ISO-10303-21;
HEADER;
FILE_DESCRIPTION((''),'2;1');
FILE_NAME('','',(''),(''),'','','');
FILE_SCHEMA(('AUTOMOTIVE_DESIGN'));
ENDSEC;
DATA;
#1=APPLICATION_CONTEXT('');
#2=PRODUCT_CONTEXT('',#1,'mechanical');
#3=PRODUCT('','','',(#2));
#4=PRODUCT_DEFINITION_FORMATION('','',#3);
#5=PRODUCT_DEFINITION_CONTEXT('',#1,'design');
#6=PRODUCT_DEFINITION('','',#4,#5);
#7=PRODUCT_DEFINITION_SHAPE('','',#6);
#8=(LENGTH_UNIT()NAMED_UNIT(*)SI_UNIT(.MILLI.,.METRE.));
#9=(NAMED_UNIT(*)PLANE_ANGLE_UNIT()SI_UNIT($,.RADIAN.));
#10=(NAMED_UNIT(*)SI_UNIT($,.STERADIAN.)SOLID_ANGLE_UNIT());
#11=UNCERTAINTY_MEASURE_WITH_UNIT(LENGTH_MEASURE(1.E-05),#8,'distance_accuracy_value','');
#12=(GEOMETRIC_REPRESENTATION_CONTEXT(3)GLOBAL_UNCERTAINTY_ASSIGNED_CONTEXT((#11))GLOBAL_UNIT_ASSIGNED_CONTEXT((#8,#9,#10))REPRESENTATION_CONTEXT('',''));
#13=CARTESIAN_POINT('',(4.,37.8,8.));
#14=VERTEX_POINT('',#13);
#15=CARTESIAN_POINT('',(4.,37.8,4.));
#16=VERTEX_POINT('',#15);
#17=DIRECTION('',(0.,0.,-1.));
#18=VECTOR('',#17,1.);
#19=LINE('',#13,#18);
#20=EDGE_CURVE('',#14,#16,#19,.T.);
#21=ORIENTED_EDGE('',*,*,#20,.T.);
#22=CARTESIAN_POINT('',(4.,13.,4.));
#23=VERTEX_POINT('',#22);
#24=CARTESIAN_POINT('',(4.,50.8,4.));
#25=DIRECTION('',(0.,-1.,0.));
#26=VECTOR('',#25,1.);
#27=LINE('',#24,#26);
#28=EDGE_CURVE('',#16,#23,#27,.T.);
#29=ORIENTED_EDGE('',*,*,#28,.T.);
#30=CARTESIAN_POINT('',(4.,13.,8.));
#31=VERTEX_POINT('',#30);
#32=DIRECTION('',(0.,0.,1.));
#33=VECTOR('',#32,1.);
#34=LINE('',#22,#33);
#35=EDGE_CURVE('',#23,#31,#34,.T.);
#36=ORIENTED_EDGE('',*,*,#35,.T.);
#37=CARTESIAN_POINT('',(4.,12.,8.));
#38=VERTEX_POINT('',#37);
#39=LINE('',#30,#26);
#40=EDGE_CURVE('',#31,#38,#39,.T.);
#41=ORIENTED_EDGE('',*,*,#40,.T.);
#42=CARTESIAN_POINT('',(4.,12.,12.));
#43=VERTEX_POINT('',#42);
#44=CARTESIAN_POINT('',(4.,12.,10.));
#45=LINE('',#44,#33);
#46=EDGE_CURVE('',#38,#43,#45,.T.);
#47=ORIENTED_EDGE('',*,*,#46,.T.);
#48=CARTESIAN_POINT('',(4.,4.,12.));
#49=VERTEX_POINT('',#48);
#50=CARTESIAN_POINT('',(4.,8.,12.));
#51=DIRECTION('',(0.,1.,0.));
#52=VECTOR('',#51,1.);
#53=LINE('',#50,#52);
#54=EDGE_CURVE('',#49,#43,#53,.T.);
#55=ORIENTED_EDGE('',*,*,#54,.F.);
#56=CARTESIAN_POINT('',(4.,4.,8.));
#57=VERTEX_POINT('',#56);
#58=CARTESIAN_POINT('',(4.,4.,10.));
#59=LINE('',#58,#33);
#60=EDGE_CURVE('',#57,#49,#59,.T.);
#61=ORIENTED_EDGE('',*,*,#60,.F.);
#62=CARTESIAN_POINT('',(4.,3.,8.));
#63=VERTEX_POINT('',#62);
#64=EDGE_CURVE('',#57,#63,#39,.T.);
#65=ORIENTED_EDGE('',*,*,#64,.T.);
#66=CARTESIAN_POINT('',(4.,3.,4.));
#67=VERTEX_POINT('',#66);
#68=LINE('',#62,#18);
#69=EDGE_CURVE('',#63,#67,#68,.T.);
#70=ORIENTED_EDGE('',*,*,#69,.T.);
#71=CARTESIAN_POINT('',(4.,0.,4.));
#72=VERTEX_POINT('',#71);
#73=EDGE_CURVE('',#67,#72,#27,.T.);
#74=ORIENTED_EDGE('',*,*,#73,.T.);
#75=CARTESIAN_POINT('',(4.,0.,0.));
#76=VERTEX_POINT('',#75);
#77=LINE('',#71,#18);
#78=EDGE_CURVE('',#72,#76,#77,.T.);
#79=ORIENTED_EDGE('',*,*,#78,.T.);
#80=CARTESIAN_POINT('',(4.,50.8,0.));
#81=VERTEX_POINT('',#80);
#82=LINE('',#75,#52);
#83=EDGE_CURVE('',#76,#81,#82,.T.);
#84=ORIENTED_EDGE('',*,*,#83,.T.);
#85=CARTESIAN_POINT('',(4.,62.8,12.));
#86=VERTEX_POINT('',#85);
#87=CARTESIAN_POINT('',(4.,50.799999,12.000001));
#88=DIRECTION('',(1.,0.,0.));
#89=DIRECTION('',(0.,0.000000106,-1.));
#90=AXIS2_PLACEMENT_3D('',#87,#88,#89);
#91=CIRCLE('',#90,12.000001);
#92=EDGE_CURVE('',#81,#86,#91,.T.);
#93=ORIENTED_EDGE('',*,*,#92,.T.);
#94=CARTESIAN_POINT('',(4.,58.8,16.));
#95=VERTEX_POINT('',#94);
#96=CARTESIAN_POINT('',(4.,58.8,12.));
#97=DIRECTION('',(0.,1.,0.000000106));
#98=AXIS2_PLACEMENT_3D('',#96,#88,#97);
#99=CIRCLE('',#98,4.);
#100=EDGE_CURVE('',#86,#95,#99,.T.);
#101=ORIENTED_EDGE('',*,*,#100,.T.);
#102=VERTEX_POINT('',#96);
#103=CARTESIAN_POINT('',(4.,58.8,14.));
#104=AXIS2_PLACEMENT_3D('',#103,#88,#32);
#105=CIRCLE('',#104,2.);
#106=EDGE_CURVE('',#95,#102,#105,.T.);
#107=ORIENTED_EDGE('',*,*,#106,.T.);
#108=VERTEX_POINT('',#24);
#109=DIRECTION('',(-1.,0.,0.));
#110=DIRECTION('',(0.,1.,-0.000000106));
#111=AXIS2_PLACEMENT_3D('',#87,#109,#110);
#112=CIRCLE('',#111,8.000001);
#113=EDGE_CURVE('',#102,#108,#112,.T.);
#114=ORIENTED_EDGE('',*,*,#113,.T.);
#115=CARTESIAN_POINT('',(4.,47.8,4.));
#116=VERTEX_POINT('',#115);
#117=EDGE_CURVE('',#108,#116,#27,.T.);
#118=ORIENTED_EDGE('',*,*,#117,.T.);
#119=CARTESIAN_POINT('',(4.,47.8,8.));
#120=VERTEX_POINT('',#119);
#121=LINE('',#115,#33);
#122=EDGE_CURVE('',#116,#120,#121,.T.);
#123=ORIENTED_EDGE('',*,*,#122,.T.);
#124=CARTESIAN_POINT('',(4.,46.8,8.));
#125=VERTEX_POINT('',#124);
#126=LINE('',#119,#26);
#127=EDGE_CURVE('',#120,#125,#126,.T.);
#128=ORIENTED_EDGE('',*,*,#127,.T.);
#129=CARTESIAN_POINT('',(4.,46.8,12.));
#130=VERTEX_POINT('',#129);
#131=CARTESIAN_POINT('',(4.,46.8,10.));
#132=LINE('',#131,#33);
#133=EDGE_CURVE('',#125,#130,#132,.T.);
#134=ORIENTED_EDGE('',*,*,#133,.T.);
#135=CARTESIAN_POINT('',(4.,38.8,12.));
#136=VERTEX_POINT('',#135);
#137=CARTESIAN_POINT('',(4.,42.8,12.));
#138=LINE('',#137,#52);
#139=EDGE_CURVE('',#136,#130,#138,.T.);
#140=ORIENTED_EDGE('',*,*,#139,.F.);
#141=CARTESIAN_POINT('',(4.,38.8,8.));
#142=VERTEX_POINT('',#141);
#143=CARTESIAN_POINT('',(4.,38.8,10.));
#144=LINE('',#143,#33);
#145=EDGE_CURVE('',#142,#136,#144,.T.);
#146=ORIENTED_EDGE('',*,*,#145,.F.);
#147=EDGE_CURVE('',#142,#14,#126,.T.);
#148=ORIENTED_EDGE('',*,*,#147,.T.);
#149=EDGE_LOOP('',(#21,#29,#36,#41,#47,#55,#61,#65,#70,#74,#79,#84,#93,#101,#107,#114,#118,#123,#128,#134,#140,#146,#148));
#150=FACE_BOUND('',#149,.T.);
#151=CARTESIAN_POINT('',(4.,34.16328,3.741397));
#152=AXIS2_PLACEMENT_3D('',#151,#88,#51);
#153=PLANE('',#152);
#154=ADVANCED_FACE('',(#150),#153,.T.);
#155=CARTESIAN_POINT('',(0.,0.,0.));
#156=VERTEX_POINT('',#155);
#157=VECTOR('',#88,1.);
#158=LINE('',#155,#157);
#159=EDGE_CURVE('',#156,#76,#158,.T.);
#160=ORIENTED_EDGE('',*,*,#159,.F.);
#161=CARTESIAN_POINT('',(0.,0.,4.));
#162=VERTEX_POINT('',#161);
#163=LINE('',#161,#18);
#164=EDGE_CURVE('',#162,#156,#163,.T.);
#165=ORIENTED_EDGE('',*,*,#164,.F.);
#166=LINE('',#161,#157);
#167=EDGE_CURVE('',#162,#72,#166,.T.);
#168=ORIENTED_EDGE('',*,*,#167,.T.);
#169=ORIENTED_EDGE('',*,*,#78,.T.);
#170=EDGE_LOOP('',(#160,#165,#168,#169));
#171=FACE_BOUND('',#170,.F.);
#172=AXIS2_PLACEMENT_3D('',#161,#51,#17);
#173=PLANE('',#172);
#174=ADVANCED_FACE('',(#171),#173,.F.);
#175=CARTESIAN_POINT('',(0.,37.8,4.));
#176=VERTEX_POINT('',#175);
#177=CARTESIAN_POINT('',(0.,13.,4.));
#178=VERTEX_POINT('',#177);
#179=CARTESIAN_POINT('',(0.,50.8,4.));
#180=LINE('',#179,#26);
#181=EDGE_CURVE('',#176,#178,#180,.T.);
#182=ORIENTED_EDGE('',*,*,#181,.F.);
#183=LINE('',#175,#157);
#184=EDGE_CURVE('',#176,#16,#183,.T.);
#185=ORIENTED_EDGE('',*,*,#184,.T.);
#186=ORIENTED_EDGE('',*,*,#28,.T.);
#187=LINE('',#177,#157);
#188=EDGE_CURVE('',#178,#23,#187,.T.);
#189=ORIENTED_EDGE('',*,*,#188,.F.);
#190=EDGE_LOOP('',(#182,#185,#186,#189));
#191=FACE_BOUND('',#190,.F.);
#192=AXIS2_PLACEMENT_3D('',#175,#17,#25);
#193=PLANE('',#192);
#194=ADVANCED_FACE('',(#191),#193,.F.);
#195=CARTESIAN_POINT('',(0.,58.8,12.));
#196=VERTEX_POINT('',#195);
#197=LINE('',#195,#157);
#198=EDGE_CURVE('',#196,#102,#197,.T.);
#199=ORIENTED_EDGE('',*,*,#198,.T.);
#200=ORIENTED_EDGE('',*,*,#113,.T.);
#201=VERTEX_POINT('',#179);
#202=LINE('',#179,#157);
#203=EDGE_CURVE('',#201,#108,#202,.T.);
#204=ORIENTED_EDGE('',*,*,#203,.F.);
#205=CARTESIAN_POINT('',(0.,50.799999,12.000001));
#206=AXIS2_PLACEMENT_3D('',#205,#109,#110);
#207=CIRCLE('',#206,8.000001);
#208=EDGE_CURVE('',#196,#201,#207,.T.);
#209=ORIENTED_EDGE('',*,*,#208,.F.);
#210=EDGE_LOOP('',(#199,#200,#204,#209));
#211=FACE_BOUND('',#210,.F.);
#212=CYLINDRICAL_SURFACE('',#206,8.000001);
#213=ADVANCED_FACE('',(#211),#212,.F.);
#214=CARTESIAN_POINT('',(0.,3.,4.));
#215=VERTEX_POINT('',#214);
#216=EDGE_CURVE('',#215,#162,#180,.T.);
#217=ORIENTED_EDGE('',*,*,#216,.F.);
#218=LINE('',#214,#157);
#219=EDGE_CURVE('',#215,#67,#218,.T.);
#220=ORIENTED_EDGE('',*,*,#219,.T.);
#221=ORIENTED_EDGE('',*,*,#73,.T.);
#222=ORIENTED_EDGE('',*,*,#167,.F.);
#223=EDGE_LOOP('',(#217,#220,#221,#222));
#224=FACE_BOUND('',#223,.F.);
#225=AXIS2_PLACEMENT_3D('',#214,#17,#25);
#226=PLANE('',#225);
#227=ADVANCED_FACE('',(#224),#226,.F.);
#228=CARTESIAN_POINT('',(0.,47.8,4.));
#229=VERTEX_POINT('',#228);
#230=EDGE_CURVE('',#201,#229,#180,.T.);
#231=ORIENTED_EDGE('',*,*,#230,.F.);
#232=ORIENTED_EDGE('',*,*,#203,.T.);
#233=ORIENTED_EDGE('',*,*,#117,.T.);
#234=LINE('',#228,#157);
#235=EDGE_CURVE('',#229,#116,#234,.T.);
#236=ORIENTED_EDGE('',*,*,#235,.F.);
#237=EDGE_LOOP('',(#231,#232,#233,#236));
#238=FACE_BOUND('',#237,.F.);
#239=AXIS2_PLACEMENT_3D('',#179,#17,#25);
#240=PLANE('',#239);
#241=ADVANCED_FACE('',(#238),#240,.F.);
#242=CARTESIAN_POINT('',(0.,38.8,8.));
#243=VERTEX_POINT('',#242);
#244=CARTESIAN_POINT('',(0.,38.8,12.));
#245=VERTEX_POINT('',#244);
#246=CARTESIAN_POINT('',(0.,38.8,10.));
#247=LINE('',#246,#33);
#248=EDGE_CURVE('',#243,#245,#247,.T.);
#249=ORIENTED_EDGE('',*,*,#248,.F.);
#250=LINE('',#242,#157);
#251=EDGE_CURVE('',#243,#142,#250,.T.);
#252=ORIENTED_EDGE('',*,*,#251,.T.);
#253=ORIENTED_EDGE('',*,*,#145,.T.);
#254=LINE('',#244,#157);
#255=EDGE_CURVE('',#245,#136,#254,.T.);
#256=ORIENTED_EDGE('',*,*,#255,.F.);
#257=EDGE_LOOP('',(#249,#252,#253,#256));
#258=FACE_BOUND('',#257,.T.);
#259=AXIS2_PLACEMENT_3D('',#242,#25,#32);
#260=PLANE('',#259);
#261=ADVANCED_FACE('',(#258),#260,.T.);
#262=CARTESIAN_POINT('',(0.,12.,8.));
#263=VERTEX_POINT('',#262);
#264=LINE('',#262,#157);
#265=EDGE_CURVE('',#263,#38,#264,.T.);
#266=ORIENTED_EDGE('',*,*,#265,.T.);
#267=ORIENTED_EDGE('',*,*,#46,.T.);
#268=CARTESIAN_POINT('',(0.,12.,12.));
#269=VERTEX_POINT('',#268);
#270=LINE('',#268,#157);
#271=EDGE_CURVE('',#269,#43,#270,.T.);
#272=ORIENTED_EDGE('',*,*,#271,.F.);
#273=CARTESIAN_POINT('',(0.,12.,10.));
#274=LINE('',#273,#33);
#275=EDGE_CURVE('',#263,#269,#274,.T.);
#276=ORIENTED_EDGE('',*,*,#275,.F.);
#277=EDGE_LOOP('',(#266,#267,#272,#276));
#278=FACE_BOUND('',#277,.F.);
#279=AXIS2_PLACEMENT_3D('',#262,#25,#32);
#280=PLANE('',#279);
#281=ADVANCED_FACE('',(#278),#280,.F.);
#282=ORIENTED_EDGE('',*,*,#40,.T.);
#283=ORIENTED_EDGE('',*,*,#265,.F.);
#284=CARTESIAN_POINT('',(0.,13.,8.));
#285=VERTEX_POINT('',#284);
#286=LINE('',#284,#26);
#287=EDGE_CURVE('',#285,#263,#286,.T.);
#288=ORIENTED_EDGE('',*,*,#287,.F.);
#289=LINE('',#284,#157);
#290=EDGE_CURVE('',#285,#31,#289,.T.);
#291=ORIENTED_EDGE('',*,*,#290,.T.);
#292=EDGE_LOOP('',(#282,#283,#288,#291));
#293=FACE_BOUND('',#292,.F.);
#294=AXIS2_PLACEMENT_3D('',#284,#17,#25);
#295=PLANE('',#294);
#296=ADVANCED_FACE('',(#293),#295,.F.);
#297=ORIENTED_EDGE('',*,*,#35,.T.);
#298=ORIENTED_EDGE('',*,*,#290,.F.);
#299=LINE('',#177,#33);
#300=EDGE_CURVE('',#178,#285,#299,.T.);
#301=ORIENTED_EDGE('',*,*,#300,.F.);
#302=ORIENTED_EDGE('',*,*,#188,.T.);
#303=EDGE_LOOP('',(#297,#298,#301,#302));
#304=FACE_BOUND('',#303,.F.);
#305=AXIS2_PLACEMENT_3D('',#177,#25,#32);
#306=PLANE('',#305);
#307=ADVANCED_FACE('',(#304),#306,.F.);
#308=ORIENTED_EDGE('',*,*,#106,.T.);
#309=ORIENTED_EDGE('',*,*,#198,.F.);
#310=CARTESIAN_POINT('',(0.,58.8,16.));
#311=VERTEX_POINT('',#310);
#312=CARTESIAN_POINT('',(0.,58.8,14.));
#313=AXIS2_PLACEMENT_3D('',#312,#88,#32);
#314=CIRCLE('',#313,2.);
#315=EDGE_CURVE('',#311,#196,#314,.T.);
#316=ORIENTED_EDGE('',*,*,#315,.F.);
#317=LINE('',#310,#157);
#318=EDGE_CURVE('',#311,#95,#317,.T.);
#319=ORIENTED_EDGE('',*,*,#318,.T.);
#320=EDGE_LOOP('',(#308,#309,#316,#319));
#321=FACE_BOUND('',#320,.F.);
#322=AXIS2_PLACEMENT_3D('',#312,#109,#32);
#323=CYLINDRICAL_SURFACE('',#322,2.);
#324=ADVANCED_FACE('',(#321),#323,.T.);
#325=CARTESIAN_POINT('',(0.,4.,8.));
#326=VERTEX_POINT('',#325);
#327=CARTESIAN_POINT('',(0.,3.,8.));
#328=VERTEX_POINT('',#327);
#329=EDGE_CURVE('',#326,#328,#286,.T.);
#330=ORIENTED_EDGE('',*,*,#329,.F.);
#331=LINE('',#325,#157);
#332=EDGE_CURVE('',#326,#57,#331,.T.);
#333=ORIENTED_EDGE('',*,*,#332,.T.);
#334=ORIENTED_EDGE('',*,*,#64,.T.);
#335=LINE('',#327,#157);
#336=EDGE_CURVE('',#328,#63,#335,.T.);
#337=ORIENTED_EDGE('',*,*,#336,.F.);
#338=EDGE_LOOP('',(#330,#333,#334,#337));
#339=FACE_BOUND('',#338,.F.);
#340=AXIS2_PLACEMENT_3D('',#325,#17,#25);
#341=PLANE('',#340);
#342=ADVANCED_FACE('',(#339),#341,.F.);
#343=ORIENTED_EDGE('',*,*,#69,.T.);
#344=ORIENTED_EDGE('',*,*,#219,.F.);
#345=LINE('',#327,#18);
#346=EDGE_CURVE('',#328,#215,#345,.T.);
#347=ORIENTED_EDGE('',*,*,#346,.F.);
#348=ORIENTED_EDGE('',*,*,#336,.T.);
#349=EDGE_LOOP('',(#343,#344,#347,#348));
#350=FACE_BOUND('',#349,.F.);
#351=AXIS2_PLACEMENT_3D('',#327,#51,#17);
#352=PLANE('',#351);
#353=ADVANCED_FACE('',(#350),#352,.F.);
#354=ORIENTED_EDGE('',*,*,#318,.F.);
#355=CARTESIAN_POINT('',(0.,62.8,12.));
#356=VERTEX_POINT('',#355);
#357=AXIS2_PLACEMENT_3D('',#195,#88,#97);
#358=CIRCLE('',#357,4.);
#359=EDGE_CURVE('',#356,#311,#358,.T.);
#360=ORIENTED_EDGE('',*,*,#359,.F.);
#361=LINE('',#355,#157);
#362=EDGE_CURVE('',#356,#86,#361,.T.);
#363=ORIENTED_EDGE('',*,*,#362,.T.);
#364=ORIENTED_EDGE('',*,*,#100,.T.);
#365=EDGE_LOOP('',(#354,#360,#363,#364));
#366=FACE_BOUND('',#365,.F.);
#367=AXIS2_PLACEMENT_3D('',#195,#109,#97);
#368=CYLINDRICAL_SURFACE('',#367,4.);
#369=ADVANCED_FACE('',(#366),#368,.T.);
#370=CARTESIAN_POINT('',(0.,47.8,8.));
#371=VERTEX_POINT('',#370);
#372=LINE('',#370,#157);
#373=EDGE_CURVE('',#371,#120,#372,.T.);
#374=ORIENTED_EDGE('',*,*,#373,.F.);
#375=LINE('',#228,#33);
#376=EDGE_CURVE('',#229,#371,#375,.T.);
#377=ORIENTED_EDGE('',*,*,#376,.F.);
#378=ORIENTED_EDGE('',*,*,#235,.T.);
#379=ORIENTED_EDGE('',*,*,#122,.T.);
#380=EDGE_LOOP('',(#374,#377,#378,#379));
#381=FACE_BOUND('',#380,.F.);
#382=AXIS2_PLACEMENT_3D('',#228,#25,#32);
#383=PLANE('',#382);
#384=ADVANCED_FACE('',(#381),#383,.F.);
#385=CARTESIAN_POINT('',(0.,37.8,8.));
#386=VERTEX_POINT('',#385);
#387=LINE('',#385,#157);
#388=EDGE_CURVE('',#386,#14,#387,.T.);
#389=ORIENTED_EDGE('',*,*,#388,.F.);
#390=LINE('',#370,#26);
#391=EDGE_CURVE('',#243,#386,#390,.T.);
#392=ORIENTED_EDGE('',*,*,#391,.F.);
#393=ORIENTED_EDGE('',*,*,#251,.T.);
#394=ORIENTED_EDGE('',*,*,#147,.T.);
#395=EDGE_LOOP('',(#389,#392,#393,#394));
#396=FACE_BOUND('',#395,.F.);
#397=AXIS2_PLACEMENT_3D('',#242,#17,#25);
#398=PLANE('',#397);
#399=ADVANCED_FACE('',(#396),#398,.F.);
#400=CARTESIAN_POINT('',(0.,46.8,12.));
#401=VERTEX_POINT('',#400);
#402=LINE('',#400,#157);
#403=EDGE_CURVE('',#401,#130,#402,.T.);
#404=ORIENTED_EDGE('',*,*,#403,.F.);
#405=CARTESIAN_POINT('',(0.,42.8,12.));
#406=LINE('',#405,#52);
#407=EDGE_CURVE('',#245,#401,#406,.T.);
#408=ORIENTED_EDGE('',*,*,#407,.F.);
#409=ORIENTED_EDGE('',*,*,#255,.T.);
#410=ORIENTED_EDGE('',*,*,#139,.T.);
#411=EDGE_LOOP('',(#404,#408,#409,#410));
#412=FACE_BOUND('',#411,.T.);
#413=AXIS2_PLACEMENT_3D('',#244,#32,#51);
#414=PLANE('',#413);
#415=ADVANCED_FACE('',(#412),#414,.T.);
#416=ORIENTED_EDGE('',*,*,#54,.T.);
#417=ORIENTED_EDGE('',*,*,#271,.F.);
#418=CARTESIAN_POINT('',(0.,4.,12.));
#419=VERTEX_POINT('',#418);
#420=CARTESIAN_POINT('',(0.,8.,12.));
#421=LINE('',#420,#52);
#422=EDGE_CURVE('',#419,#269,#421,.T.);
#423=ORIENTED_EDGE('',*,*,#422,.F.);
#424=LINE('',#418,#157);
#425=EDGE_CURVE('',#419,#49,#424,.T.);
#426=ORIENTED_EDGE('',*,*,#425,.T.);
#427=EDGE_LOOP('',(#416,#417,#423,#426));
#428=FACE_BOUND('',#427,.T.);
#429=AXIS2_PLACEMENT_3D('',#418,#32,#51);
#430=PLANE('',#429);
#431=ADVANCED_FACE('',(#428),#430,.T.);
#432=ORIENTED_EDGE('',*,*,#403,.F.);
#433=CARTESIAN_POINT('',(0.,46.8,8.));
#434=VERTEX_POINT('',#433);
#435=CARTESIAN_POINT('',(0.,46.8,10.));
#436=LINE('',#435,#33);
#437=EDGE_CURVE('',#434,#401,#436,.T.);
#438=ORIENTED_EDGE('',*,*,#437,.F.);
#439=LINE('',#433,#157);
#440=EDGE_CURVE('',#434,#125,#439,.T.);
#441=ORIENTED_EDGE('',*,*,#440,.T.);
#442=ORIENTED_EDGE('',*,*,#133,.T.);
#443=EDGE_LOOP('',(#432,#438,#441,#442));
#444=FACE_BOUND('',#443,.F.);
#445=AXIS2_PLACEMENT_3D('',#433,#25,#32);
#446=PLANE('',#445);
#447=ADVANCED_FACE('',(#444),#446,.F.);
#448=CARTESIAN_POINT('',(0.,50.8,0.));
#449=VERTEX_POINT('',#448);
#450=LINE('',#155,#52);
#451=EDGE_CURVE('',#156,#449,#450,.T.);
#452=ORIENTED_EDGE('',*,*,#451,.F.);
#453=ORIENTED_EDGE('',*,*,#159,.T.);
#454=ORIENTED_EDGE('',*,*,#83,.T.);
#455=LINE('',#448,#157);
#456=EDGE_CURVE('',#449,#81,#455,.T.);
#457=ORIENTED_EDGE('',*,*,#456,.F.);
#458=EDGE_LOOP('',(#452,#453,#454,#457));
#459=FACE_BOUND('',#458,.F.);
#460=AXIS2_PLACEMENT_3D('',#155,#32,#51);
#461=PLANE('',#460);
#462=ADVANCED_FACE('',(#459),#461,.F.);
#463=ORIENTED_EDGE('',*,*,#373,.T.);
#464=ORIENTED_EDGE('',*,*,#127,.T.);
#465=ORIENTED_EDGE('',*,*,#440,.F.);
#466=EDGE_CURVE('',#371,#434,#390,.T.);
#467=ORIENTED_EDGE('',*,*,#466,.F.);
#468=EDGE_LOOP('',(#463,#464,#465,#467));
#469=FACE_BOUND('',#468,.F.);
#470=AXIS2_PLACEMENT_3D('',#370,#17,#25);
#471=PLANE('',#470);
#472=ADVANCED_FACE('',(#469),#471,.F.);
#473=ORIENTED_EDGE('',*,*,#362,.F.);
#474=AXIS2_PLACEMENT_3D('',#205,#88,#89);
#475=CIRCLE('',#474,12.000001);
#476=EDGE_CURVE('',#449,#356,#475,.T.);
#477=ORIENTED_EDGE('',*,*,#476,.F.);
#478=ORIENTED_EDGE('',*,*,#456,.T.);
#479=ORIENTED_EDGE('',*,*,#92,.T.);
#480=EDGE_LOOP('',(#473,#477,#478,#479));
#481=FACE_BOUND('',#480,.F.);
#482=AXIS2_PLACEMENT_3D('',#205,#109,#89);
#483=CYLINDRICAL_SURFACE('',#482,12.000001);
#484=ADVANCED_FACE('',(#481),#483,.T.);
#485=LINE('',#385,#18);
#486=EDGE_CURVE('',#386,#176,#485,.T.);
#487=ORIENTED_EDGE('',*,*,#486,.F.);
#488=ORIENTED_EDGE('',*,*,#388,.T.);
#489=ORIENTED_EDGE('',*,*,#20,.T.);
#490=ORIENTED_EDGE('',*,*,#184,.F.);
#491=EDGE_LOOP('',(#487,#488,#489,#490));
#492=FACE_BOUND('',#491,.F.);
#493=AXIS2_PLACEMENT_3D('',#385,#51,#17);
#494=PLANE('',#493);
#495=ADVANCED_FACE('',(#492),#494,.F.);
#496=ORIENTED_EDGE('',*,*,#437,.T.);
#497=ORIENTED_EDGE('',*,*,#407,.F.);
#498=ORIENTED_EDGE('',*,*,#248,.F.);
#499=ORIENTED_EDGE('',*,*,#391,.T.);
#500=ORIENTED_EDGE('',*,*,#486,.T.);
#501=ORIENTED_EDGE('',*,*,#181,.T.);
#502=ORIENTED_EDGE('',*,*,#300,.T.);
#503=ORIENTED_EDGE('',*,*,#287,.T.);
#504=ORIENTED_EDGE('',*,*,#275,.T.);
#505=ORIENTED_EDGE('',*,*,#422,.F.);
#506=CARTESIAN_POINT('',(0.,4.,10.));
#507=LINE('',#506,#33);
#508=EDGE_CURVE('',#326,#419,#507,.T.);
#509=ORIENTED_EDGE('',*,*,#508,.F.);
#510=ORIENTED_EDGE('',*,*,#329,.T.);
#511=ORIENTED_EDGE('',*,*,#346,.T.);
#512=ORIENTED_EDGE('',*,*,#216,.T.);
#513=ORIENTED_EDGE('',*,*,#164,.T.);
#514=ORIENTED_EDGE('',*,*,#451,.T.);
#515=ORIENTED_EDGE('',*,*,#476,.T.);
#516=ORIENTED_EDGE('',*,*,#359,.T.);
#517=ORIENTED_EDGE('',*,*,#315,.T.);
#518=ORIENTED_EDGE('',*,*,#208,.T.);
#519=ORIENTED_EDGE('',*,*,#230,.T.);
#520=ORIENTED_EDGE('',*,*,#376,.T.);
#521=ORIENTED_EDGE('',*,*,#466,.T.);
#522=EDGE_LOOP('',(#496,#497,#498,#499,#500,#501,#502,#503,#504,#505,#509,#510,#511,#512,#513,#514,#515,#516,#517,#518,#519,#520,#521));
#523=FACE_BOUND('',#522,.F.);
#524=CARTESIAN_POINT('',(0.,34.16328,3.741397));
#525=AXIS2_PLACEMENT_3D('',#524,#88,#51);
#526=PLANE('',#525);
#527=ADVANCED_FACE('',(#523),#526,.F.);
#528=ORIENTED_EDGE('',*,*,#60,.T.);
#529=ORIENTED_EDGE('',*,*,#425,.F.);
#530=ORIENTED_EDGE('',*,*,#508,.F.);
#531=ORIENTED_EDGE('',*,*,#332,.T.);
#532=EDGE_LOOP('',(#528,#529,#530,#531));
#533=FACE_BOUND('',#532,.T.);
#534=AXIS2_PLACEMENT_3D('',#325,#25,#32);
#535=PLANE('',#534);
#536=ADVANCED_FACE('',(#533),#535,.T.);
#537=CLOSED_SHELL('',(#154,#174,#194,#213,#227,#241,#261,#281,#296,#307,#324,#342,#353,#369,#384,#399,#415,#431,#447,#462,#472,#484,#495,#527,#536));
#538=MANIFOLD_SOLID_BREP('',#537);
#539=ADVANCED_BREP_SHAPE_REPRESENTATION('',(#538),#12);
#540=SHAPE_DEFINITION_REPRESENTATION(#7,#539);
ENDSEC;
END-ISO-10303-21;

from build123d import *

# Parameters (mm, degrees)
F0_W     = 8
F0_H     = 4
F1_DEPTH = 4


with BuildPart() as f1:
    # F0 (on Right) → F1 (new body)
    with BuildSketch(Plane.YZ):
        with BuildLine():
            Line((0, 4), (0, 0))
            Line((0, 0), (50.8, 0))
            ThreePointArc((50.8, 0), (59.285281, 3.514719), (62.8, 12))
            ThreePointArc((62.8, 12), (61.628427, 14.828427), (58.8, 16))
            ThreePointArc((58.8, 16), (56.8, 14), (58.8, 12))
            ThreePointArc((58.8, 12), (56.456854, 6.343146), (50.8, 4))
            Line((50.8, 4), (47.8, 4))
            Line((47.8, 4), (37.8, 4))
            Line((37.8, 4), (13, 4))
            Line((13, 4), (3, 4))
            Line((3, 4), (0, 4))
        make_face()
        Polygon((3, 8), (3, 4), (13, 4), (13, 8), (12, 8), (4, 8), align=None)
        Polygon((37.8, 8), (37.8, 4), (47.8, 4), (47.8, 8), (46.8, 8), (38.8, 8), align=None)
        with Locations((8, 10)):
            Rectangle(F0_W, F0_H)
        with Locations((42.8, 10)):
            Rectangle(F0_W, F0_H)
    extrude(amount=F1_DEPTH)


solid = f1.part
